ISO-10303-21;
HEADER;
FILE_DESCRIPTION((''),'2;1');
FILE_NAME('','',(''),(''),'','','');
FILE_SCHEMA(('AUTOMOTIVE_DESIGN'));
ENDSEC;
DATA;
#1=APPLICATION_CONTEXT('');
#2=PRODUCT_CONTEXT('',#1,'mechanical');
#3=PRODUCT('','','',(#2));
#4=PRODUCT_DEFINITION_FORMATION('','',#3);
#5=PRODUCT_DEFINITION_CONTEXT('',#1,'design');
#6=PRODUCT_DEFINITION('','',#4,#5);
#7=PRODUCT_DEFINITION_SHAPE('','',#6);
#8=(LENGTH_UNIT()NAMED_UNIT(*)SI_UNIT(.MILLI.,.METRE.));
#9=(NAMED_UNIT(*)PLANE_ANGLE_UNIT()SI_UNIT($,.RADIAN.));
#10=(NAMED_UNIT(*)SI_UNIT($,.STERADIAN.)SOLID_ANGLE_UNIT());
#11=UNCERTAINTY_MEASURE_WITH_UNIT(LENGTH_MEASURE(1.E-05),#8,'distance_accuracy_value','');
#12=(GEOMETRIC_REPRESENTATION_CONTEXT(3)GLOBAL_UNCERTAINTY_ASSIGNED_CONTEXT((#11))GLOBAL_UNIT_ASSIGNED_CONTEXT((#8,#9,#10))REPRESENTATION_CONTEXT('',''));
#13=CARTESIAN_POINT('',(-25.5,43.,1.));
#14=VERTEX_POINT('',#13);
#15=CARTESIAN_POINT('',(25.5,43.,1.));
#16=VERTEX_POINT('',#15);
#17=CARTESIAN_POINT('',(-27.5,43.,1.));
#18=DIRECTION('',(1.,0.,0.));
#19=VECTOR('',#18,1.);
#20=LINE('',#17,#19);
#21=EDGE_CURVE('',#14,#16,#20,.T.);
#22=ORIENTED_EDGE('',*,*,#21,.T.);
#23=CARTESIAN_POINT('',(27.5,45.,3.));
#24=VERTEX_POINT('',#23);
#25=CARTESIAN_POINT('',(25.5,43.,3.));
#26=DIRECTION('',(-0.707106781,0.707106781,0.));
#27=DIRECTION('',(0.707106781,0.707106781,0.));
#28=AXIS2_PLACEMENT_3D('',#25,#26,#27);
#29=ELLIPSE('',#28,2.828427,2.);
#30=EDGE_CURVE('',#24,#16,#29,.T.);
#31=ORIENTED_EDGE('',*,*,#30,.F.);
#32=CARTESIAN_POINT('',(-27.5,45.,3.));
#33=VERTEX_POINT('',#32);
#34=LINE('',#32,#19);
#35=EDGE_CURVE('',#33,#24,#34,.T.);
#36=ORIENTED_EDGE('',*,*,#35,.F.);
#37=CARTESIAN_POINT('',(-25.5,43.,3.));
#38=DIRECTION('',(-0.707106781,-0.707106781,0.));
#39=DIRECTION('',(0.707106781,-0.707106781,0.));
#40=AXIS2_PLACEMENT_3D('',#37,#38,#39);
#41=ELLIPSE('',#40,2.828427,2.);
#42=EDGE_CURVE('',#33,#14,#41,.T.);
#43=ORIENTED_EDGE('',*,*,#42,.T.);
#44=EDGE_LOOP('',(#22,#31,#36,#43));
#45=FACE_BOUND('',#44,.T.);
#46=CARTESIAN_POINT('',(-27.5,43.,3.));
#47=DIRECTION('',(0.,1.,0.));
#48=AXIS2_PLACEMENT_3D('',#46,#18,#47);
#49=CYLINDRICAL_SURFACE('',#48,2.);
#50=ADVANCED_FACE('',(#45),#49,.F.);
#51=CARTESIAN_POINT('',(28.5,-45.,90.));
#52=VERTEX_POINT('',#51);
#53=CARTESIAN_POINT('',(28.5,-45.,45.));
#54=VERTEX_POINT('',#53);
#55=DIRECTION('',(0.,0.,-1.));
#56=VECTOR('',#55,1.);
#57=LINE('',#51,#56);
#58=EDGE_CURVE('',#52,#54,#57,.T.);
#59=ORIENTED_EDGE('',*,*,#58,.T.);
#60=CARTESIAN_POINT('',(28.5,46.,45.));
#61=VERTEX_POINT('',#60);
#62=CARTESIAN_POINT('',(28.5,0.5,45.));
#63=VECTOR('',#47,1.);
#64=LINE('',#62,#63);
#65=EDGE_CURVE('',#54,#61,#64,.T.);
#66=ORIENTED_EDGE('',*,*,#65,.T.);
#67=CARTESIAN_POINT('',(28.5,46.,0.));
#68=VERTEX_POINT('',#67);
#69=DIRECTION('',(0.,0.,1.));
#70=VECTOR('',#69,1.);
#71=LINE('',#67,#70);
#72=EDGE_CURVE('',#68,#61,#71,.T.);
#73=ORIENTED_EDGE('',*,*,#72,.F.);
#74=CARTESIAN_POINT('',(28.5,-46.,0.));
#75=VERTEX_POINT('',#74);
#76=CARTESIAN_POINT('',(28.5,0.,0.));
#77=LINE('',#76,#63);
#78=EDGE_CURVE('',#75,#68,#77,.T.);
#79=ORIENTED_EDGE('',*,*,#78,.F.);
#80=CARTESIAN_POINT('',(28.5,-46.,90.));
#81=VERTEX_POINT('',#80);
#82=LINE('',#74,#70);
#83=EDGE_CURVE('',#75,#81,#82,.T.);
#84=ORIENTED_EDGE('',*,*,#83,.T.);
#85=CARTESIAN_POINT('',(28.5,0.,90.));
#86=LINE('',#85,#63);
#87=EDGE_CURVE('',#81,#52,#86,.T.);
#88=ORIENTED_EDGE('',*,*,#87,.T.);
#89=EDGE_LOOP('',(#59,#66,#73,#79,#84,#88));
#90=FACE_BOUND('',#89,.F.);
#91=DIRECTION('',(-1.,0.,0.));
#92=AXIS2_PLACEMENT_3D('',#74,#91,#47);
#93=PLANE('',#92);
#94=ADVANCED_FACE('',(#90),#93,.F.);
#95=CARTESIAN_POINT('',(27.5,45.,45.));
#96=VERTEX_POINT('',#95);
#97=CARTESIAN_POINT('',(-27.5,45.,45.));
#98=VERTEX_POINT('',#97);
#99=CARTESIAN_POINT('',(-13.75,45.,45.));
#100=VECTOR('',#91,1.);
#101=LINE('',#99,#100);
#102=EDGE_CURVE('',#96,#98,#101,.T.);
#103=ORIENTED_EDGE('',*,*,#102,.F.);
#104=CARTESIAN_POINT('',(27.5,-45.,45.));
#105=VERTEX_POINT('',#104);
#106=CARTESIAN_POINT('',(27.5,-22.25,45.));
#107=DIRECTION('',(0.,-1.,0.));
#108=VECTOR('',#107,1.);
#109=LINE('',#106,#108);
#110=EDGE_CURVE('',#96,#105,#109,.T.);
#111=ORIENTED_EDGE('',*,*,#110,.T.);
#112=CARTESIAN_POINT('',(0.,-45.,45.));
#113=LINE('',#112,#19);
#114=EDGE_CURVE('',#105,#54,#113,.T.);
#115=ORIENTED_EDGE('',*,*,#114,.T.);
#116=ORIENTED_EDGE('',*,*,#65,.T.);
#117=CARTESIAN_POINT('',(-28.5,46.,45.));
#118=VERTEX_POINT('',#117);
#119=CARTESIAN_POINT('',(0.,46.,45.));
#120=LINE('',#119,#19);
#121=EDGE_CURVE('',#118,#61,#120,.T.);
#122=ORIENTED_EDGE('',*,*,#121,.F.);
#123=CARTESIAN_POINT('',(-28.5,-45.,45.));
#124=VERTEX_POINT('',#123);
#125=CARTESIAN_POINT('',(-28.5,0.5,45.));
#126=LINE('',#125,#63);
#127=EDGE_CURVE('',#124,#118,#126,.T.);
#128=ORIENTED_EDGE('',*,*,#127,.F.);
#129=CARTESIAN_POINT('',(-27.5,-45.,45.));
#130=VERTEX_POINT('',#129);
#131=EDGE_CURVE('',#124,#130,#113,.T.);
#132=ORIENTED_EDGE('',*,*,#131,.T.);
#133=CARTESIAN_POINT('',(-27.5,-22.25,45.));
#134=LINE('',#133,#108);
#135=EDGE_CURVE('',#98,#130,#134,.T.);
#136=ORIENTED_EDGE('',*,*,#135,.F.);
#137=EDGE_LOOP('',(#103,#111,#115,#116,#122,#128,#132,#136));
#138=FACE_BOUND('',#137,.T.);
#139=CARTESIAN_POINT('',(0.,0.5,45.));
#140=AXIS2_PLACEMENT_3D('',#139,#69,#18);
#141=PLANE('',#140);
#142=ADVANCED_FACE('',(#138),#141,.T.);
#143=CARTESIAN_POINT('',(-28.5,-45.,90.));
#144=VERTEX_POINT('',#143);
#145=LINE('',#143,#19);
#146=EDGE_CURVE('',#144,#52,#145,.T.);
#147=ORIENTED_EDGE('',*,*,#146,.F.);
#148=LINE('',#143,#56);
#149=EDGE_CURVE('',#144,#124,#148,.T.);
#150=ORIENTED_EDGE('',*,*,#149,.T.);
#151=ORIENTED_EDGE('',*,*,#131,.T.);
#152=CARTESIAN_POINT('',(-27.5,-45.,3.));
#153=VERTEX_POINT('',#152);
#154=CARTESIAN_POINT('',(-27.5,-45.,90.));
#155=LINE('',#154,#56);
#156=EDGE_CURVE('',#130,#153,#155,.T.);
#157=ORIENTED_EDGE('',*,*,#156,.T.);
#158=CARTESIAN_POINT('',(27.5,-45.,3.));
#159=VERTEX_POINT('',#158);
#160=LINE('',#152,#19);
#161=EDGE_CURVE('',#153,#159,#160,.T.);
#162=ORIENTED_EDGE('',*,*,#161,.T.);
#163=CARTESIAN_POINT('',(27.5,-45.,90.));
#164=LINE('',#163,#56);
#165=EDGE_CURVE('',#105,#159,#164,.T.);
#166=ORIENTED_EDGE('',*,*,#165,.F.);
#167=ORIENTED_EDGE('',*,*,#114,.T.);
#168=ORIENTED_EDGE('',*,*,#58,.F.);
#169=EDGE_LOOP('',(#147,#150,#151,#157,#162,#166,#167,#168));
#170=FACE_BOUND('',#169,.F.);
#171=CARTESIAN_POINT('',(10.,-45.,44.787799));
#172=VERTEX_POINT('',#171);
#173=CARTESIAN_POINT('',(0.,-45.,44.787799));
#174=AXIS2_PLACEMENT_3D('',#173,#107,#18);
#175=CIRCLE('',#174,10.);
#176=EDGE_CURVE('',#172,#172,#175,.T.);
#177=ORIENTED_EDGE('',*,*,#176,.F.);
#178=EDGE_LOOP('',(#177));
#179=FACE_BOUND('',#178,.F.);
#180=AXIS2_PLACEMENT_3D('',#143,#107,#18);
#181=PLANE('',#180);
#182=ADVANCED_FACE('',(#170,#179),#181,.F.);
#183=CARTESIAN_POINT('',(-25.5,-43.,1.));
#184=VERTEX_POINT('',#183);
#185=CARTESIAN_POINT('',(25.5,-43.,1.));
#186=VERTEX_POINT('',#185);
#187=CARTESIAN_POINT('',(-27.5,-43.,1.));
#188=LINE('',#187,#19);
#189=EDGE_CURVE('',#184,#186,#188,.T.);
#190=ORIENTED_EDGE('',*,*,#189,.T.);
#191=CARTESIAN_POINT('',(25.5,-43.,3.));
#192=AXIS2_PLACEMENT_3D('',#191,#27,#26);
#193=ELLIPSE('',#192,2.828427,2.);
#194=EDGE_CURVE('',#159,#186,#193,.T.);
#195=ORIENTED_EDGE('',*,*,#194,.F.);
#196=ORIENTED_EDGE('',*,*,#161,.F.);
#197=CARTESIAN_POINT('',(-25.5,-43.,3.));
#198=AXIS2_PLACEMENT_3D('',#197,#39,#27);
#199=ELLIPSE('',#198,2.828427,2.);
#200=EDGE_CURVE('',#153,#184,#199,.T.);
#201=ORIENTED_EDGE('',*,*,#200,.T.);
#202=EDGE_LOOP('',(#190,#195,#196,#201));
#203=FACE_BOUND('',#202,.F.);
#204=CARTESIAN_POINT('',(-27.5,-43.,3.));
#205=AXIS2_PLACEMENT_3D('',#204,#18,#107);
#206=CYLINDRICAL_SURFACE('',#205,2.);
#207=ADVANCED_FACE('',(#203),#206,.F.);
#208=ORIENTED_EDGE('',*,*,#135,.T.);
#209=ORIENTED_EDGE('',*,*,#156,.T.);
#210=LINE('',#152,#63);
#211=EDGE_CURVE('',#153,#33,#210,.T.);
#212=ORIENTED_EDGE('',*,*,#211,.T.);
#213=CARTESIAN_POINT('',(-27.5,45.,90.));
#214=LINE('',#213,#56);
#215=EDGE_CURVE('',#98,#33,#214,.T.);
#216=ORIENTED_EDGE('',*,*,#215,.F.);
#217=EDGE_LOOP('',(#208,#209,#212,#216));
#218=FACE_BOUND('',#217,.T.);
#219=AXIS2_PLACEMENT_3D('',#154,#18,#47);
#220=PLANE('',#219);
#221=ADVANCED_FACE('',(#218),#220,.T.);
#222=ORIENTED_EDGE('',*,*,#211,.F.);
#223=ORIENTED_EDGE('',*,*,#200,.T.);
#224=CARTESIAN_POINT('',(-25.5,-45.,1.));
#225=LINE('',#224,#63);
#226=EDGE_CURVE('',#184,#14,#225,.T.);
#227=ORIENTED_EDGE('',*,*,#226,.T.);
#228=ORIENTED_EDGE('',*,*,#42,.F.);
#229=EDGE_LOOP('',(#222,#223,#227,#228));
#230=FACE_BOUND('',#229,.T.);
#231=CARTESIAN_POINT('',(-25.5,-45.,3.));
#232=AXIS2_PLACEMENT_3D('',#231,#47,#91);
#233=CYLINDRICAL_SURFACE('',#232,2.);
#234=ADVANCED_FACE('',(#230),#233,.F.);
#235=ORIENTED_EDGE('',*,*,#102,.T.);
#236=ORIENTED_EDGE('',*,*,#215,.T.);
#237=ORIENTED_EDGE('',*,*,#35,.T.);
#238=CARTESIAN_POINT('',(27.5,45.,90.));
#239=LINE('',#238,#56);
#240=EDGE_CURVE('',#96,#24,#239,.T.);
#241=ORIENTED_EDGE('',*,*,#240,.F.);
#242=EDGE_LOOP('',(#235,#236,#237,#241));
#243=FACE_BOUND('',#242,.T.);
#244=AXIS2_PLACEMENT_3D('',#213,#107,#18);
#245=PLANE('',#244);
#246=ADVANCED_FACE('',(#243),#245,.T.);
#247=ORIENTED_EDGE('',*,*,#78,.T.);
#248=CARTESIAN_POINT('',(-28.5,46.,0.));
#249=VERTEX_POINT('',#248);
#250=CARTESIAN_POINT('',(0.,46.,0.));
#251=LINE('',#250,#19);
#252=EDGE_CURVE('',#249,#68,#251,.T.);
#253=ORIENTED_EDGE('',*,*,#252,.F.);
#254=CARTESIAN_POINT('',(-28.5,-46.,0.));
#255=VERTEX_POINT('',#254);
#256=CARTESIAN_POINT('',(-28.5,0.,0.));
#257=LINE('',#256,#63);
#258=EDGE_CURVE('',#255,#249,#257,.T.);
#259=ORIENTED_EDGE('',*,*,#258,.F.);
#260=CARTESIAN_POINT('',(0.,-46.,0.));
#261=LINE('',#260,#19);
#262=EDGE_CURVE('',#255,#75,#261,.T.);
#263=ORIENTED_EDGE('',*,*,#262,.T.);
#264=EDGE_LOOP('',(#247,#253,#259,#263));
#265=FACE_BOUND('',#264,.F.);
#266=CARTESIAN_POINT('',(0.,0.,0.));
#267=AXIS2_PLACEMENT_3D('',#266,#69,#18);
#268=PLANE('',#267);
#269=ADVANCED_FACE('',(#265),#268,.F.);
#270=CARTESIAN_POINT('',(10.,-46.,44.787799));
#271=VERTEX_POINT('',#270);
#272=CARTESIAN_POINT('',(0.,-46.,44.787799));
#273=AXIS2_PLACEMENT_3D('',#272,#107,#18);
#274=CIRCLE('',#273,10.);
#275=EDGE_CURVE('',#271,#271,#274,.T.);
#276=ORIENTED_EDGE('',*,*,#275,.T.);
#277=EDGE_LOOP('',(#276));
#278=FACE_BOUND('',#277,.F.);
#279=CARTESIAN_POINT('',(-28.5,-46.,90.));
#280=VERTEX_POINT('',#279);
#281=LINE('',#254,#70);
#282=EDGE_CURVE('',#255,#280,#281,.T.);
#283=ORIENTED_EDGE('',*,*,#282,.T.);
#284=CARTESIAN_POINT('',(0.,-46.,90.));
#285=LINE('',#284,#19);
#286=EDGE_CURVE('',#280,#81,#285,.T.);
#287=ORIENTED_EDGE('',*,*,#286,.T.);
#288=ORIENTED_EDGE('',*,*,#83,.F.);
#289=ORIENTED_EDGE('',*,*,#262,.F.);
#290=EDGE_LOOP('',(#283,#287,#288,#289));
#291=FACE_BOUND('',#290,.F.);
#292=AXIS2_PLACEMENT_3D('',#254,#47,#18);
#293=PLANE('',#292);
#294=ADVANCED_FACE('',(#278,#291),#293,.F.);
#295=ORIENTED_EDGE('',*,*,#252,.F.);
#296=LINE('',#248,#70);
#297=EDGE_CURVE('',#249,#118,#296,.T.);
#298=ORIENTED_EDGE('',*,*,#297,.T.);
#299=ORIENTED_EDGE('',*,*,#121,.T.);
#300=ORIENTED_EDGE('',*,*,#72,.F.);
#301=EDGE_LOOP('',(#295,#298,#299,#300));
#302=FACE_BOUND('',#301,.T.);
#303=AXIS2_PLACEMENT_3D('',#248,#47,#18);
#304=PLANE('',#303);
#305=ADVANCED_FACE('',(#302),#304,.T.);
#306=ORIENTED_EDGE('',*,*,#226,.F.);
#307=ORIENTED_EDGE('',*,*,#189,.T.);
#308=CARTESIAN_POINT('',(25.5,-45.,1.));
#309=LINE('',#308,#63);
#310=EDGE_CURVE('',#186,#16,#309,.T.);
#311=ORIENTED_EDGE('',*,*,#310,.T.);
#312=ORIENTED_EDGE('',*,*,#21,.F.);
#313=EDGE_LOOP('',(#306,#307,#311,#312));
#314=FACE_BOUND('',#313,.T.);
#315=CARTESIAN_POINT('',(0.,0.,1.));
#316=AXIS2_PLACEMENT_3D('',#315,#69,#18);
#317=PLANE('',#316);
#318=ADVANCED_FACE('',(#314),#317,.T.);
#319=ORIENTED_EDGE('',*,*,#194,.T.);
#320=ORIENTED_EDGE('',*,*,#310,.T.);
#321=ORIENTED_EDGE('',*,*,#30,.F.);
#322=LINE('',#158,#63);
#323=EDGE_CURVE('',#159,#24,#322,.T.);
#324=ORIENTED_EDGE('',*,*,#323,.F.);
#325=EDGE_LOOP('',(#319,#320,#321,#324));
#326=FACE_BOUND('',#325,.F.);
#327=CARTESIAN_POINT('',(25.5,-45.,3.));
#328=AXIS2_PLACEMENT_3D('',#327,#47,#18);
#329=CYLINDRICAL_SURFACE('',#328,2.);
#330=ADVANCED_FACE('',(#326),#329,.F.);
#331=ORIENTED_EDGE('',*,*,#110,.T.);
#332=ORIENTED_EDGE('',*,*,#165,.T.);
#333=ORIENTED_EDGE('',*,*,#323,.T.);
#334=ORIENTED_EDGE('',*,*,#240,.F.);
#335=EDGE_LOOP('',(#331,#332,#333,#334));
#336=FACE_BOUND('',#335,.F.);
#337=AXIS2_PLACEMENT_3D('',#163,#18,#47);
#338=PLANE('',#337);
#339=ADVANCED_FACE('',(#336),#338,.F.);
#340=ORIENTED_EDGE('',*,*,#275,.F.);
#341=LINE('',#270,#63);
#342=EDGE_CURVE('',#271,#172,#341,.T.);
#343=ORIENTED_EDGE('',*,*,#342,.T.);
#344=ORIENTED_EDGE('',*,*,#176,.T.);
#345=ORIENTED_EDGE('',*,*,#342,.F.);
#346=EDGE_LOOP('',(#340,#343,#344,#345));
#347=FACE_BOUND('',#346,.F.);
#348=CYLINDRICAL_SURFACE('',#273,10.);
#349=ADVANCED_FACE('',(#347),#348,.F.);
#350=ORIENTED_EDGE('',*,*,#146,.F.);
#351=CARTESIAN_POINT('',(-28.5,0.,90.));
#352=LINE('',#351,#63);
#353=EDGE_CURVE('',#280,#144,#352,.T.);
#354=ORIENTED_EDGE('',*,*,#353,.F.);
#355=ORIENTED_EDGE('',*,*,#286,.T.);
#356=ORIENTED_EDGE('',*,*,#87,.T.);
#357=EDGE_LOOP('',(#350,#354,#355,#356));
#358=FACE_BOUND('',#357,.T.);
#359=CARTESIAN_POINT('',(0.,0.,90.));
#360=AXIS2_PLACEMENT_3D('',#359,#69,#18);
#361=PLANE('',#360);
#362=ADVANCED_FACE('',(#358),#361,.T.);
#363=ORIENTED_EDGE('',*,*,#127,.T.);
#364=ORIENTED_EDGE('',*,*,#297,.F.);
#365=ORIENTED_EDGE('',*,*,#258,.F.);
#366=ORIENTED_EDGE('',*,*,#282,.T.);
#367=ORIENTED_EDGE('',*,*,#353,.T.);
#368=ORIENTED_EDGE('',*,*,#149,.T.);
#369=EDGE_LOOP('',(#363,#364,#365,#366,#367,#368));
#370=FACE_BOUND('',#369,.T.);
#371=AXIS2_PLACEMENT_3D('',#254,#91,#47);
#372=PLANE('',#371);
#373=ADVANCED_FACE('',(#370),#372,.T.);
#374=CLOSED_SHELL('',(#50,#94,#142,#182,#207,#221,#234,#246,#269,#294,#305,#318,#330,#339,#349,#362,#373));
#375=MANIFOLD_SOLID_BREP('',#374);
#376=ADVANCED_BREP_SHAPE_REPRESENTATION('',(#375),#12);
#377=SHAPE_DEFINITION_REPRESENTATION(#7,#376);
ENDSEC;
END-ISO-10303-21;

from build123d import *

# Parameters (mm, degrees)
F0_W     = 57
F0_H     = 92
F1_DEPTH = 90
F2_W     = 55
F2_H     = 90
F3_DEPTH = 89
F4_W     = 57
F4_H     = 91
F5_DEPTH = 45
F6_R     = 10
F7_DEPTH = 1
F8_R     = 2


with BuildPart() as f1:
    # F0 (on Top) → F1 (new body)
    with BuildSketch(Plane.XY):
        Rectangle(F0_W, F0_H)
    extrude(amount=F1_DEPTH)

    # F2 (on face) → F3 (cut)
    with BuildSketch(Plane.XY.offset(90)):
        Rectangle(F2_W, F2_H)
    extrude(amount=-F3_DEPTH, mode=Mode.SUBTRACT)

    # F4 (on face) → F5 (cut)
    with BuildSketch(Plane.XY.offset(90)):
        with Locations((0, 0.5)):
            Rectangle(F4_W, F4_H)
    extrude(amount=-F5_DEPTH, mode=Mode.SUBTRACT)

    # F6 (on face) → F7 (cut)
    with BuildSketch(Plane.XZ.offset(46)):
        with Locations((0, 44.787799)):
            Circle(F6_R)
    extrude(amount=-F7_DEPTH, mode=Mode.SUBTRACT)

    # F8
    f8_edges = [f1.edges().sort_by_distance(p)[0] for p in [
        (27.5, 0, 1),
        (0, 45, 1),
        (-27.5, 0, 1),
        (0, -45, 1),
    ]]
    fillet(f8_edges, radius=F8_R)


solid = f1.part
